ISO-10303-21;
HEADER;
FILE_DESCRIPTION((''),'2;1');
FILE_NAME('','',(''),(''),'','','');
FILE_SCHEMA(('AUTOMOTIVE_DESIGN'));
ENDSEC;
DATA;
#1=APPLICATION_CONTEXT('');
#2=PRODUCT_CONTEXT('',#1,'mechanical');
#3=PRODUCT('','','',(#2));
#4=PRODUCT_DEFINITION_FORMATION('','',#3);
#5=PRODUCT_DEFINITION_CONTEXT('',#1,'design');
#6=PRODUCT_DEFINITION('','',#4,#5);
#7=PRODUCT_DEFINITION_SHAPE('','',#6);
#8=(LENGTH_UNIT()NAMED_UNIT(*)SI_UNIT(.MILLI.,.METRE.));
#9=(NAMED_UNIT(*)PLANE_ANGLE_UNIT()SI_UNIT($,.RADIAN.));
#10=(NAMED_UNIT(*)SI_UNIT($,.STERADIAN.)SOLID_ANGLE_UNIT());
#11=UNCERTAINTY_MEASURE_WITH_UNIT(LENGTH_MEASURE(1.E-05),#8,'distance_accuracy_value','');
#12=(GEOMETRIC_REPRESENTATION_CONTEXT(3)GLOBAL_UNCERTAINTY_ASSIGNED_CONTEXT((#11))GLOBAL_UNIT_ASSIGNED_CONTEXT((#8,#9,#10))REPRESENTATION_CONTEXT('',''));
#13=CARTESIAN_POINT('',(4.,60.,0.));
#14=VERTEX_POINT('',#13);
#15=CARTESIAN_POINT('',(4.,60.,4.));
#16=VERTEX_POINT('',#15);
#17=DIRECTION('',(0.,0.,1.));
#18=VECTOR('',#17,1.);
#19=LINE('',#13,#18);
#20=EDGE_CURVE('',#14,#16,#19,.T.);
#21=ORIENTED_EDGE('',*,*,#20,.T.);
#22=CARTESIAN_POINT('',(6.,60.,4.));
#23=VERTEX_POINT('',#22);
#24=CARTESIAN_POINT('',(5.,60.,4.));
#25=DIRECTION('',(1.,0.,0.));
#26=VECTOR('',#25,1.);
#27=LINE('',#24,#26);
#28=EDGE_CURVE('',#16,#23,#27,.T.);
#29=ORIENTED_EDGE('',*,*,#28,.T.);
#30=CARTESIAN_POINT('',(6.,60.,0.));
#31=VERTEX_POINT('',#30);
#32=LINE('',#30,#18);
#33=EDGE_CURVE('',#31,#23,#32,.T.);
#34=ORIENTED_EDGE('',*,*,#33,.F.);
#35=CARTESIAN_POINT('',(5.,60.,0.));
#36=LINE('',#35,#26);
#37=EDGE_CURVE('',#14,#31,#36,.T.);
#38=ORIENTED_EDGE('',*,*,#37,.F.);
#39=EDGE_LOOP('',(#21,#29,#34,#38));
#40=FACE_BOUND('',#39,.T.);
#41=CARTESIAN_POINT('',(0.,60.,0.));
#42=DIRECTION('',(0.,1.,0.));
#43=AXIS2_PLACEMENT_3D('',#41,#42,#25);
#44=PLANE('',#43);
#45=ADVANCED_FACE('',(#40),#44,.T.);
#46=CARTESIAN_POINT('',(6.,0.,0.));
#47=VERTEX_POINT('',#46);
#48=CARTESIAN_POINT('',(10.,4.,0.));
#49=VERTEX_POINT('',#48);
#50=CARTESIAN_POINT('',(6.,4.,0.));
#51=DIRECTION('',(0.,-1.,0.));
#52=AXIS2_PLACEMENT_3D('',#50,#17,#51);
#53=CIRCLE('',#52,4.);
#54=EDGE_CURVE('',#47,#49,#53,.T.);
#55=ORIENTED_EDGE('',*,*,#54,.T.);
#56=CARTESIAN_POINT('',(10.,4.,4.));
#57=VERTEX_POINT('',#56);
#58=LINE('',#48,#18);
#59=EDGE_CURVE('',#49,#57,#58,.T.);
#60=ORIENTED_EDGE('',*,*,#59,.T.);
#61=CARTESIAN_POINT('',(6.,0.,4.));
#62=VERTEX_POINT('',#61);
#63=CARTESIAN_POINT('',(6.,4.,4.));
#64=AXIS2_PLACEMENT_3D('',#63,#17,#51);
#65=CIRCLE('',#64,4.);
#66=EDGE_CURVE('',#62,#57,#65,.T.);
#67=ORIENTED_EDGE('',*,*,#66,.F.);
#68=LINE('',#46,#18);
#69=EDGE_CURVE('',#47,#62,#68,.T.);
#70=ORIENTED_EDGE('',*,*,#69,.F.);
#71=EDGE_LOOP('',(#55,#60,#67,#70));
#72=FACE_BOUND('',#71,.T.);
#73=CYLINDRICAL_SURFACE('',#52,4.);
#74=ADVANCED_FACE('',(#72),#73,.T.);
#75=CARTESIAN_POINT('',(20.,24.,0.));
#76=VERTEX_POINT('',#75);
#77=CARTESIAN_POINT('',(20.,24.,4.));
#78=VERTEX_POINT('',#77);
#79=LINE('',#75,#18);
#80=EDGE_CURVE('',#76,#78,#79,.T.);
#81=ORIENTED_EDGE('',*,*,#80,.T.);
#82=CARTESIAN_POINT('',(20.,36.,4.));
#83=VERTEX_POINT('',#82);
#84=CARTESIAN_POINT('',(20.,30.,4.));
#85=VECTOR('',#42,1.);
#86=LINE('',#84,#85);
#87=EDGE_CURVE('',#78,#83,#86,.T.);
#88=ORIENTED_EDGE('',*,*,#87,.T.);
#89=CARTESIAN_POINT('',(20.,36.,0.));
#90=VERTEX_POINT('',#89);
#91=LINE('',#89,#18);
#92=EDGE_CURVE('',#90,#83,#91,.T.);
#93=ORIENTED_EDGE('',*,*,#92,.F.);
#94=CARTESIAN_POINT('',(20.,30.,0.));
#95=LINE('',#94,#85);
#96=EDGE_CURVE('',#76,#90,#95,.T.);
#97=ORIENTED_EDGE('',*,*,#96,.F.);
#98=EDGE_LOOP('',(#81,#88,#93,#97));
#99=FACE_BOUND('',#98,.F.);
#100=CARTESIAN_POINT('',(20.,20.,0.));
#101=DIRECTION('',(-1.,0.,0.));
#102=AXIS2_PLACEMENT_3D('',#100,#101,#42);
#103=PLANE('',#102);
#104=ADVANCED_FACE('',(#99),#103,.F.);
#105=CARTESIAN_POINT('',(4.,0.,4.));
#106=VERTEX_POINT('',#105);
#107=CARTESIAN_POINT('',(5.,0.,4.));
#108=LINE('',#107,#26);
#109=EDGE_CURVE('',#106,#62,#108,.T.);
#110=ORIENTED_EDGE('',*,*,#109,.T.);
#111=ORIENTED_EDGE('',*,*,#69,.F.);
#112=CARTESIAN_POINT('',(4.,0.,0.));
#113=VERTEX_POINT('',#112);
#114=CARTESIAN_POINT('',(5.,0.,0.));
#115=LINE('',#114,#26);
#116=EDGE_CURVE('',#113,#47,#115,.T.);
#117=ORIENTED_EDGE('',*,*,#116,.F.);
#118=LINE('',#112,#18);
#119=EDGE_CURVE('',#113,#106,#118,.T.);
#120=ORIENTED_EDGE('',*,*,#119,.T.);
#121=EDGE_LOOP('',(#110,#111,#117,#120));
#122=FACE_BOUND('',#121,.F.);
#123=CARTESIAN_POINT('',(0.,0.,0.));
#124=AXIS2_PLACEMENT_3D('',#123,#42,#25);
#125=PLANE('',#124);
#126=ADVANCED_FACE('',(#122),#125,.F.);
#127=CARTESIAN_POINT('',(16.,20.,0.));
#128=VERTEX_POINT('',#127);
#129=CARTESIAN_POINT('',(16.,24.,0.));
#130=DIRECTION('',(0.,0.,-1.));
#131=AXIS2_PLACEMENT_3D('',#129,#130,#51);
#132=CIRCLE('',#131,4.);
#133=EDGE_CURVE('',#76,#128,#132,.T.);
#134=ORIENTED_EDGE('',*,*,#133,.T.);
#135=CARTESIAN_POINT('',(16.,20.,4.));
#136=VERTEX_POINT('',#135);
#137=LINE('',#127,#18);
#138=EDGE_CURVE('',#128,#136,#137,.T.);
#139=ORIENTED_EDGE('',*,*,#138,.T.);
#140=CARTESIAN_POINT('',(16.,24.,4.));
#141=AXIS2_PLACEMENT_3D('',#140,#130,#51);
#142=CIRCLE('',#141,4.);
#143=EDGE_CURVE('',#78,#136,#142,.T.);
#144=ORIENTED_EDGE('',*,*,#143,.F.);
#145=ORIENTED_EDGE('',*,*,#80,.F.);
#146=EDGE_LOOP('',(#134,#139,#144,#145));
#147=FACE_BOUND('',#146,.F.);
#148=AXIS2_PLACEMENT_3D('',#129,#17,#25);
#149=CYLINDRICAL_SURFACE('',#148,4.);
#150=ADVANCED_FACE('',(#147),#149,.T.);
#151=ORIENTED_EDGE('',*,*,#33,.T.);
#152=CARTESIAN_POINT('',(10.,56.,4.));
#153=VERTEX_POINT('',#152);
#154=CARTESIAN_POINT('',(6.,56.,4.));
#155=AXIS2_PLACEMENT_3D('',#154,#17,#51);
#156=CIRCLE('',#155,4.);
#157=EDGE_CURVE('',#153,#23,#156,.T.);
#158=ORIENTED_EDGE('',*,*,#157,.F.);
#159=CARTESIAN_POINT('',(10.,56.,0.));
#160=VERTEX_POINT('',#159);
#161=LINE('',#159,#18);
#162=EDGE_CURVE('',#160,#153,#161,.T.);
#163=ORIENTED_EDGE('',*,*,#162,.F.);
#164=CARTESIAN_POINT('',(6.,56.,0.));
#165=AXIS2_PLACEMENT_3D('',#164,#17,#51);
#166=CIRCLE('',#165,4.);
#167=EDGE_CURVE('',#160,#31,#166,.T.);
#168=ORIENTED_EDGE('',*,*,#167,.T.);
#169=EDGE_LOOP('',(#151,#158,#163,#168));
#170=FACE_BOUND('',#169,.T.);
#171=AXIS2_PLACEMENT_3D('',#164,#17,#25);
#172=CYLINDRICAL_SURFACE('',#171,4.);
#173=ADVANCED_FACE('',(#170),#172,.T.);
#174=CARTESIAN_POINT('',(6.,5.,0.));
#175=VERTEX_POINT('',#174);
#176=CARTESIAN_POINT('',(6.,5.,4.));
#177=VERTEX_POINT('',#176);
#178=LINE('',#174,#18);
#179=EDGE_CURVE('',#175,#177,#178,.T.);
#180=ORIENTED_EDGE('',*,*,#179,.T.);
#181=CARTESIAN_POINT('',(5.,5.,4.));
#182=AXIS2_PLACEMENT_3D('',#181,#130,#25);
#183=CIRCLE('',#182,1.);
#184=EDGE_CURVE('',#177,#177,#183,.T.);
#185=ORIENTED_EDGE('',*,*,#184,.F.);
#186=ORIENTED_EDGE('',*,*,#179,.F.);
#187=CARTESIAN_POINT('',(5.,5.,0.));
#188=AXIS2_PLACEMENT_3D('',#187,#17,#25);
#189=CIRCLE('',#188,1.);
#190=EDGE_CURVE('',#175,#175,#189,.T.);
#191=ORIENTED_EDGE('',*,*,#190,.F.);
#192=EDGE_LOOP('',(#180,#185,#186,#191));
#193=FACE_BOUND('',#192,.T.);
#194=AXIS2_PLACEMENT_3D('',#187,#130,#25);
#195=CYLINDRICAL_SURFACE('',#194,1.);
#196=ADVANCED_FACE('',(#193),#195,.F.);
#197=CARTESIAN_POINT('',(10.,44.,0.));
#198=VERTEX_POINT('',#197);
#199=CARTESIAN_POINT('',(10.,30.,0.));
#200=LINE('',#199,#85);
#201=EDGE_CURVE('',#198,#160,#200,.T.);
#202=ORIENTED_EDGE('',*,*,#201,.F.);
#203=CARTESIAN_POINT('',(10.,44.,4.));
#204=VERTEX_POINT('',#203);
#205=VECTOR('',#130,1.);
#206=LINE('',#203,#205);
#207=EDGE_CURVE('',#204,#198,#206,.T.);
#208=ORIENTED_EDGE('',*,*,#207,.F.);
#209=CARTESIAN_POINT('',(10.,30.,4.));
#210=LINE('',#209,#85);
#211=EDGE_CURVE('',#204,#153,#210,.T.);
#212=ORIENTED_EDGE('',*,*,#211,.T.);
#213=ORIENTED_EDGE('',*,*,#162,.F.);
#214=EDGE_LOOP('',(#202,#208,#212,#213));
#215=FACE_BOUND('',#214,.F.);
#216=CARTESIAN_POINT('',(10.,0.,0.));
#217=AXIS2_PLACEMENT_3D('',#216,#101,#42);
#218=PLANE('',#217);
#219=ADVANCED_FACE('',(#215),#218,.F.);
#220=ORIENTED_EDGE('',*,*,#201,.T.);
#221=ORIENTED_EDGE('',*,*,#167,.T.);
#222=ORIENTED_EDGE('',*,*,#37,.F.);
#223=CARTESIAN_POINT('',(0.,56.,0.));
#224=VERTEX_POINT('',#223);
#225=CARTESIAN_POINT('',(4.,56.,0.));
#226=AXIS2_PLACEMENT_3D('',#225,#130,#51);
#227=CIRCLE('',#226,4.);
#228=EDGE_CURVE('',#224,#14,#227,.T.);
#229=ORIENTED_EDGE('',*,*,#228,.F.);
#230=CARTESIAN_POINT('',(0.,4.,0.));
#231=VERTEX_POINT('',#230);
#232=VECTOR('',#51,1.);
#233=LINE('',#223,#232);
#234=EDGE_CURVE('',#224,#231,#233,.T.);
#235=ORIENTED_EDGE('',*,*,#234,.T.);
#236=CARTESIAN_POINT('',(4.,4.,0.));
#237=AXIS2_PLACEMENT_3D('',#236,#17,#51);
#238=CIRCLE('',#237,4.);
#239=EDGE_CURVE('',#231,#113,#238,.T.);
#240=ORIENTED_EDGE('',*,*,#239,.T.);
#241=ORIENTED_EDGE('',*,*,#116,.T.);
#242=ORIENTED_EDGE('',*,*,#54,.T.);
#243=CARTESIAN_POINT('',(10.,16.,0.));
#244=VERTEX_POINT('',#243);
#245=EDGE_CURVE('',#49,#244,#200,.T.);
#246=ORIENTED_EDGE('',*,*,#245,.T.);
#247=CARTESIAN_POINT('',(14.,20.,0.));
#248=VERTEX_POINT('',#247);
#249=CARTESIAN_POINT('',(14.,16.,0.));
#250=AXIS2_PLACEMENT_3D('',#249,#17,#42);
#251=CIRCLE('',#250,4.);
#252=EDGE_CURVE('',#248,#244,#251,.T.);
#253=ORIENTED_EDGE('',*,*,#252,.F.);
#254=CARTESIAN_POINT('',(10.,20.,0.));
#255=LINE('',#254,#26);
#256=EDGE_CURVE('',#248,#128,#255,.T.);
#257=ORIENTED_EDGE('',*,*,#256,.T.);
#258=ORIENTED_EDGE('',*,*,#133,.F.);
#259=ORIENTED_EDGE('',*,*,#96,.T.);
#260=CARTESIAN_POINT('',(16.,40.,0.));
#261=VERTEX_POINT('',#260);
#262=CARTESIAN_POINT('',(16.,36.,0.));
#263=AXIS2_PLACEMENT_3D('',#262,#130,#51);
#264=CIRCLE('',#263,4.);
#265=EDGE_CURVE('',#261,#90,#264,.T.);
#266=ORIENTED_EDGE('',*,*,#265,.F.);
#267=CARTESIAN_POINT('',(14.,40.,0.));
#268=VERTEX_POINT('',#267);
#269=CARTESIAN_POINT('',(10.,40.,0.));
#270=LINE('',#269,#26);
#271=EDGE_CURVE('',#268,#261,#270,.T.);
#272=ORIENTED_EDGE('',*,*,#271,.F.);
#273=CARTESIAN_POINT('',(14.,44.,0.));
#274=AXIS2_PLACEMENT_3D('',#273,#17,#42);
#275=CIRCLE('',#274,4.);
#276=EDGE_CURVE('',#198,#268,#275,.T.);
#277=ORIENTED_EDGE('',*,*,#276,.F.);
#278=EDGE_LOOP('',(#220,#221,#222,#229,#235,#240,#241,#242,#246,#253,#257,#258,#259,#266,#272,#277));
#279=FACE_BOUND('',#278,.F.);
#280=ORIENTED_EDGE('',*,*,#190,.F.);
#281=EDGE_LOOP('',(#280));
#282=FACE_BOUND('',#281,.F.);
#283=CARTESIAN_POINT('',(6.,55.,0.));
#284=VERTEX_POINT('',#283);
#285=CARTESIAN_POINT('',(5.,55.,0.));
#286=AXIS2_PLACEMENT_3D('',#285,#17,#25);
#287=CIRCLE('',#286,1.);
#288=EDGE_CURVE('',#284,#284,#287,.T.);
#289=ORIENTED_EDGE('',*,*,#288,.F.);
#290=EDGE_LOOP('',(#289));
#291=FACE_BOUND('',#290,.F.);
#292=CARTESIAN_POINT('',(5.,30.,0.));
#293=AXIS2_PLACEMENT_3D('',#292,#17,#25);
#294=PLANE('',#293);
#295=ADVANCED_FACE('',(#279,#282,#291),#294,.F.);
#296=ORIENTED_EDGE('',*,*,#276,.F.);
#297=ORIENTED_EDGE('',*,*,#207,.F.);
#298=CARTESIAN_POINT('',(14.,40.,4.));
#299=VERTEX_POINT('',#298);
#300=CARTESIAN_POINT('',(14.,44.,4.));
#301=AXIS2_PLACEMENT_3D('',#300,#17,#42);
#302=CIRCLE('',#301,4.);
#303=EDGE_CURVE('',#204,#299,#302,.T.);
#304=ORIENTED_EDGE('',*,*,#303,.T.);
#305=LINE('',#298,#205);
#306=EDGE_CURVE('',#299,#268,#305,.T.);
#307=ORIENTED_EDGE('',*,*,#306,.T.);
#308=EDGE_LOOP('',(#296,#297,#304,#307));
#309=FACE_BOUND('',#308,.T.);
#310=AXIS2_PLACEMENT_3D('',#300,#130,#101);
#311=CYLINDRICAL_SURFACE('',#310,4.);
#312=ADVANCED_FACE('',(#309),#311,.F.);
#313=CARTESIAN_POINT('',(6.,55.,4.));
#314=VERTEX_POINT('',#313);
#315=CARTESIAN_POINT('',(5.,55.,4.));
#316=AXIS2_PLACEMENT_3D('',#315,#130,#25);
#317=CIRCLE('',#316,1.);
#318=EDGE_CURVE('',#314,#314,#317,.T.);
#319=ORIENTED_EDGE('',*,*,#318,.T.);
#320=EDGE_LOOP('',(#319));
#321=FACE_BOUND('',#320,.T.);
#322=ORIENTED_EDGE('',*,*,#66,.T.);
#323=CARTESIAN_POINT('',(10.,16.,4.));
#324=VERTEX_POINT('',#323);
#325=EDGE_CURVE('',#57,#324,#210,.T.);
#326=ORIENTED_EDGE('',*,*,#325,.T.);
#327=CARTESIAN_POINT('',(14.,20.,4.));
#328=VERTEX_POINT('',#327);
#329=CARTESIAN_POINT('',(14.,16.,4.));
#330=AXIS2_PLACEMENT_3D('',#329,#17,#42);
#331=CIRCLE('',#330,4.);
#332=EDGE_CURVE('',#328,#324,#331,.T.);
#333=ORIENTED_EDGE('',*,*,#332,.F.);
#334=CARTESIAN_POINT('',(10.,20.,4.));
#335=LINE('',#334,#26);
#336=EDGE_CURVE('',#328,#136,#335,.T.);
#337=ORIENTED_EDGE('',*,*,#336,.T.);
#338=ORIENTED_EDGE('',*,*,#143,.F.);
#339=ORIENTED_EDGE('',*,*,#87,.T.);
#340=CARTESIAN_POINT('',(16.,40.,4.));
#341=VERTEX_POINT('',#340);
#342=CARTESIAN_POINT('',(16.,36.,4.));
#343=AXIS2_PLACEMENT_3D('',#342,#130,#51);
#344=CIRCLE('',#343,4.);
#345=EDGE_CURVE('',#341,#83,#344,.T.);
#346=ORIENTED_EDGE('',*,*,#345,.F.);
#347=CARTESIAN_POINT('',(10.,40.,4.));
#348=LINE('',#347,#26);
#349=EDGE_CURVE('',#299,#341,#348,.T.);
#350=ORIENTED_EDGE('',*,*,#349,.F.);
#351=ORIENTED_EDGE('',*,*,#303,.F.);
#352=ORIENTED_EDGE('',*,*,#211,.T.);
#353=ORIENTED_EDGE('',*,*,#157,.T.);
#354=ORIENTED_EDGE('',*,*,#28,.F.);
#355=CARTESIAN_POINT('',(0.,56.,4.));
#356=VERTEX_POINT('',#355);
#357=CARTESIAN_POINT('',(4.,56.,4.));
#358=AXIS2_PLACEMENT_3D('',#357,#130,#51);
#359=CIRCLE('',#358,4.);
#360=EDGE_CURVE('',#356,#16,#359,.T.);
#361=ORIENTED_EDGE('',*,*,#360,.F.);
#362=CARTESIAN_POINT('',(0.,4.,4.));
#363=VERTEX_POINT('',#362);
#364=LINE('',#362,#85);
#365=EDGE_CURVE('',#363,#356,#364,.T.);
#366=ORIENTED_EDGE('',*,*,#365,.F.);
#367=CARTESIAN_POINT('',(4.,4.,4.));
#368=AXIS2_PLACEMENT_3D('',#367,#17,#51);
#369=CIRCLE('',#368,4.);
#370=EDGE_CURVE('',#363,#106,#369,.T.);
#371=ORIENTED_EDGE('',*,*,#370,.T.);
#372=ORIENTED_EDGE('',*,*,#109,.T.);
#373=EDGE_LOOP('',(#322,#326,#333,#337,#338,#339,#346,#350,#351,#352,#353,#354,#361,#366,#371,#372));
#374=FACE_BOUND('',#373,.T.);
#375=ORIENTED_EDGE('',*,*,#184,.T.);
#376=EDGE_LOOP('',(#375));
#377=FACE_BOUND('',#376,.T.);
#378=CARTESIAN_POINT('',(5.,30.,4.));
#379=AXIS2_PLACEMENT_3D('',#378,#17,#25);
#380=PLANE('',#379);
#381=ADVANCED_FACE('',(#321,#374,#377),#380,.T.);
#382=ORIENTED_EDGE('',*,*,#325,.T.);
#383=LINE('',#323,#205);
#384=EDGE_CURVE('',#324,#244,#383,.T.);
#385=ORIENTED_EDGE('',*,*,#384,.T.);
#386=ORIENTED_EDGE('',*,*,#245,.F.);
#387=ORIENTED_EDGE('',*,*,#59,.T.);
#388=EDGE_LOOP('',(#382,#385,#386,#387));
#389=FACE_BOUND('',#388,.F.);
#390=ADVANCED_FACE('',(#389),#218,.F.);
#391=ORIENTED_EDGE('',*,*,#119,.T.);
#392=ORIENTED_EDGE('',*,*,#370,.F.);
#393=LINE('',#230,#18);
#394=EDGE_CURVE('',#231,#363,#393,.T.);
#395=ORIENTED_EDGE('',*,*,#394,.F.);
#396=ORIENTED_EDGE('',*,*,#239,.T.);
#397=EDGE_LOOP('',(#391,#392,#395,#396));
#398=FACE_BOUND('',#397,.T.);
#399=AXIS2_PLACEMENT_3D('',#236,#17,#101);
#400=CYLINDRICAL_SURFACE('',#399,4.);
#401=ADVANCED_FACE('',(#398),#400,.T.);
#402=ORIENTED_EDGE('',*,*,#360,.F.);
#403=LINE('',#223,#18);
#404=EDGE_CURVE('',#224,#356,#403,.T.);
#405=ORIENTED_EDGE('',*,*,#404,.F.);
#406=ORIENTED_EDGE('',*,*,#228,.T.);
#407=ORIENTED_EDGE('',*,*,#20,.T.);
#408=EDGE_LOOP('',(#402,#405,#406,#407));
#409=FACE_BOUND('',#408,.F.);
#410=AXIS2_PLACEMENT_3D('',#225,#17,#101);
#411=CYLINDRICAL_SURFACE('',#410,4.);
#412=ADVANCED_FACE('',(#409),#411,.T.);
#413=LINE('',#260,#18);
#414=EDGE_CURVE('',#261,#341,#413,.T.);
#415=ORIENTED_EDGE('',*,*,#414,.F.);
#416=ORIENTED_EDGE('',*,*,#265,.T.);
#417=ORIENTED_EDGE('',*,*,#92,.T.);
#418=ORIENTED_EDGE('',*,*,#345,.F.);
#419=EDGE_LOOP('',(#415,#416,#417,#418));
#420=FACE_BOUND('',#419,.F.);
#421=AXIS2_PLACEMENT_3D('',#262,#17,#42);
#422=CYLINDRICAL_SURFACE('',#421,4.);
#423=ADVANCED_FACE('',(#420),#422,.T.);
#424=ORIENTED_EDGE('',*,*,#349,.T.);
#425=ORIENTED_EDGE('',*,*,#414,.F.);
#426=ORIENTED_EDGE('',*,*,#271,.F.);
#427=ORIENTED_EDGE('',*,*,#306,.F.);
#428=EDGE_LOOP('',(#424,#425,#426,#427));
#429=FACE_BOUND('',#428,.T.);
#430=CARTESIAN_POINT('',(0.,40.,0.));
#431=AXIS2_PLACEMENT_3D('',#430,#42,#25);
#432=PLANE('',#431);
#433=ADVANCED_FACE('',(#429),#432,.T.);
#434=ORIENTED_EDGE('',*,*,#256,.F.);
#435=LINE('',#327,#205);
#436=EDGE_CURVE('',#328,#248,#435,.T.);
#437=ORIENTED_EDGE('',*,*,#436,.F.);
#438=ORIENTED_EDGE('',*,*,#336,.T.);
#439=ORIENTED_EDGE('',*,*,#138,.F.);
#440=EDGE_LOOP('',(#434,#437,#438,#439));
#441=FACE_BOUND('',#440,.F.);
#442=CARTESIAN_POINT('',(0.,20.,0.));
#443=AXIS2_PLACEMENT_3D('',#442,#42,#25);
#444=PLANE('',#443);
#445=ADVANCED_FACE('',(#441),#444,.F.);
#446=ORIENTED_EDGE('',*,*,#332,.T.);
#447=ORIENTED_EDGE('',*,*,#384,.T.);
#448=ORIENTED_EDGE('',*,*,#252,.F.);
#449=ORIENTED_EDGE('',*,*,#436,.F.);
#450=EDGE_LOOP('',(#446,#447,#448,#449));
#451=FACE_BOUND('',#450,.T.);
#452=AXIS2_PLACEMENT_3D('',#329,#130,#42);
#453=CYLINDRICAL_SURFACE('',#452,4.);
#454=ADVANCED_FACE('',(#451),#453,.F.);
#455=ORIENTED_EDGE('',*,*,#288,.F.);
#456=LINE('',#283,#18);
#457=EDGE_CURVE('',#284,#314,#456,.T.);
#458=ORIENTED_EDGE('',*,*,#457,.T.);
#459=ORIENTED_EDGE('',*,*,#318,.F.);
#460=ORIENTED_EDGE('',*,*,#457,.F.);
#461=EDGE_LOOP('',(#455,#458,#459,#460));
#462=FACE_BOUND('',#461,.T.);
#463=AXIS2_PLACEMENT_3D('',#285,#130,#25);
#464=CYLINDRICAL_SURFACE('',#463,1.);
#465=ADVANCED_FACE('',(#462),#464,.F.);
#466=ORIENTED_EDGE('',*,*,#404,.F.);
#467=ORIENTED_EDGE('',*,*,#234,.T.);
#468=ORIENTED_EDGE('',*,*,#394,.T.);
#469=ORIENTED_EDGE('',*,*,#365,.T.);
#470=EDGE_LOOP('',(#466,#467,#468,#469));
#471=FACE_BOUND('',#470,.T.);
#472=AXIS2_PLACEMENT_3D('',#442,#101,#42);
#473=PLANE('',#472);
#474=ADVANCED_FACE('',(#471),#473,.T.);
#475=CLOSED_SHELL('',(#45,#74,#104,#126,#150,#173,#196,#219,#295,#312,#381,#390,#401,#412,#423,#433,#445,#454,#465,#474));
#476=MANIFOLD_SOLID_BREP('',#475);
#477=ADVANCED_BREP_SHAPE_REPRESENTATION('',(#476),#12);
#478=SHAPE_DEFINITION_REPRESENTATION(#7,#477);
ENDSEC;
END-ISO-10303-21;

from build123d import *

# Parameters (mm, degrees)
CYLINDER005_R     = 1
CYLINDER005_DEPTH = 20
ARRAY005_Y_COUNT  = 2
ARRAY005_Y_PITCH  = 50
BOX005_W          = 20
BOX005_H          = 20
BOX005_DEPTH      = 4
BOX004_W          = 10
BOX004_H          = 60
BOX004_DEPTH      = 4
FILLET_R          = 4
FILLET001_R       = 4


with BuildPart() as ear_screw_hole_fusion_array:
    # Cylinder005 → Cylinder005 (new body)
    with BuildSketch(Plane.XY.offset(40)):
        Circle(CYLINDER005_R)
    extrude(amount=CYLINDER005_DEPTH)

    # Array005 Y: ear screw hole fusion array ×2


with BuildPart() as ear_screw_hole_fusion_array_1:
    add(ear_screw_hole_fusion_array.part)
    with Locations(*[(0, i * ARRAY005_Y_PITCH, 0) for i in range(1, ARRAY005_Y_COUNT)]):
        add(ear_screw_hole_fusion_array.part)


with BuildPart() as ear_screw_hole_fusion_array_2:
    # Array005 placement: moved
    add(ear_screw_hole_fusion_array_1.part.moved(Location((5, 5, -40))))


with BuildPart() as mount_plate:
    # Box005 → Box005 (new body)
    with BuildSketch(Plane(origin=(0, 20, 0), x_dir=(1, 0, 0), z_dir=(0, 0, 1))):
        with Locations((10, 10)):
            Rectangle(BOX005_W, BOX005_H)
    extrude(amount=BOX005_DEPTH)


with BuildPart() as ear_mount_cut:
    # Box004 → Box004 (new body)
    with BuildSketch(Plane.XY):
        with Locations((5, 30)):
            Rectangle(BOX004_W, BOX004_H)
    extrude(amount=BOX004_DEPTH)

    # Fillet
    fillet_edges = [ear_mount_cut.edges().sort_by_distance(p)[0] for p in [
        (0, 0, 2),
        (0, 60, 2),
        (10, 0, 2),
        (10, 60, 2),
    ]]
    fillet(fillet_edges, radius=FILLET_R)

    # Fusion001: union mount plate
    add(mount_plate.part)

    # Fillet001
    fillet001_edges = [ear_mount_cut.edges().sort_by_distance(p)[0] for p in [
        (10, 20, 2),
        (10, 40, 2),
        (20, 40, 2),
        (20, 20, 2),
    ]]
    fillet(fillet001_edges, radius=FILLET001_R)

    # Cut023015002: cut ear screw hole fusion array
    add(ear_screw_hole_fusion_array_2.part, mode=Mode.SUBTRACT)


solid = ear_mount_cut.part
